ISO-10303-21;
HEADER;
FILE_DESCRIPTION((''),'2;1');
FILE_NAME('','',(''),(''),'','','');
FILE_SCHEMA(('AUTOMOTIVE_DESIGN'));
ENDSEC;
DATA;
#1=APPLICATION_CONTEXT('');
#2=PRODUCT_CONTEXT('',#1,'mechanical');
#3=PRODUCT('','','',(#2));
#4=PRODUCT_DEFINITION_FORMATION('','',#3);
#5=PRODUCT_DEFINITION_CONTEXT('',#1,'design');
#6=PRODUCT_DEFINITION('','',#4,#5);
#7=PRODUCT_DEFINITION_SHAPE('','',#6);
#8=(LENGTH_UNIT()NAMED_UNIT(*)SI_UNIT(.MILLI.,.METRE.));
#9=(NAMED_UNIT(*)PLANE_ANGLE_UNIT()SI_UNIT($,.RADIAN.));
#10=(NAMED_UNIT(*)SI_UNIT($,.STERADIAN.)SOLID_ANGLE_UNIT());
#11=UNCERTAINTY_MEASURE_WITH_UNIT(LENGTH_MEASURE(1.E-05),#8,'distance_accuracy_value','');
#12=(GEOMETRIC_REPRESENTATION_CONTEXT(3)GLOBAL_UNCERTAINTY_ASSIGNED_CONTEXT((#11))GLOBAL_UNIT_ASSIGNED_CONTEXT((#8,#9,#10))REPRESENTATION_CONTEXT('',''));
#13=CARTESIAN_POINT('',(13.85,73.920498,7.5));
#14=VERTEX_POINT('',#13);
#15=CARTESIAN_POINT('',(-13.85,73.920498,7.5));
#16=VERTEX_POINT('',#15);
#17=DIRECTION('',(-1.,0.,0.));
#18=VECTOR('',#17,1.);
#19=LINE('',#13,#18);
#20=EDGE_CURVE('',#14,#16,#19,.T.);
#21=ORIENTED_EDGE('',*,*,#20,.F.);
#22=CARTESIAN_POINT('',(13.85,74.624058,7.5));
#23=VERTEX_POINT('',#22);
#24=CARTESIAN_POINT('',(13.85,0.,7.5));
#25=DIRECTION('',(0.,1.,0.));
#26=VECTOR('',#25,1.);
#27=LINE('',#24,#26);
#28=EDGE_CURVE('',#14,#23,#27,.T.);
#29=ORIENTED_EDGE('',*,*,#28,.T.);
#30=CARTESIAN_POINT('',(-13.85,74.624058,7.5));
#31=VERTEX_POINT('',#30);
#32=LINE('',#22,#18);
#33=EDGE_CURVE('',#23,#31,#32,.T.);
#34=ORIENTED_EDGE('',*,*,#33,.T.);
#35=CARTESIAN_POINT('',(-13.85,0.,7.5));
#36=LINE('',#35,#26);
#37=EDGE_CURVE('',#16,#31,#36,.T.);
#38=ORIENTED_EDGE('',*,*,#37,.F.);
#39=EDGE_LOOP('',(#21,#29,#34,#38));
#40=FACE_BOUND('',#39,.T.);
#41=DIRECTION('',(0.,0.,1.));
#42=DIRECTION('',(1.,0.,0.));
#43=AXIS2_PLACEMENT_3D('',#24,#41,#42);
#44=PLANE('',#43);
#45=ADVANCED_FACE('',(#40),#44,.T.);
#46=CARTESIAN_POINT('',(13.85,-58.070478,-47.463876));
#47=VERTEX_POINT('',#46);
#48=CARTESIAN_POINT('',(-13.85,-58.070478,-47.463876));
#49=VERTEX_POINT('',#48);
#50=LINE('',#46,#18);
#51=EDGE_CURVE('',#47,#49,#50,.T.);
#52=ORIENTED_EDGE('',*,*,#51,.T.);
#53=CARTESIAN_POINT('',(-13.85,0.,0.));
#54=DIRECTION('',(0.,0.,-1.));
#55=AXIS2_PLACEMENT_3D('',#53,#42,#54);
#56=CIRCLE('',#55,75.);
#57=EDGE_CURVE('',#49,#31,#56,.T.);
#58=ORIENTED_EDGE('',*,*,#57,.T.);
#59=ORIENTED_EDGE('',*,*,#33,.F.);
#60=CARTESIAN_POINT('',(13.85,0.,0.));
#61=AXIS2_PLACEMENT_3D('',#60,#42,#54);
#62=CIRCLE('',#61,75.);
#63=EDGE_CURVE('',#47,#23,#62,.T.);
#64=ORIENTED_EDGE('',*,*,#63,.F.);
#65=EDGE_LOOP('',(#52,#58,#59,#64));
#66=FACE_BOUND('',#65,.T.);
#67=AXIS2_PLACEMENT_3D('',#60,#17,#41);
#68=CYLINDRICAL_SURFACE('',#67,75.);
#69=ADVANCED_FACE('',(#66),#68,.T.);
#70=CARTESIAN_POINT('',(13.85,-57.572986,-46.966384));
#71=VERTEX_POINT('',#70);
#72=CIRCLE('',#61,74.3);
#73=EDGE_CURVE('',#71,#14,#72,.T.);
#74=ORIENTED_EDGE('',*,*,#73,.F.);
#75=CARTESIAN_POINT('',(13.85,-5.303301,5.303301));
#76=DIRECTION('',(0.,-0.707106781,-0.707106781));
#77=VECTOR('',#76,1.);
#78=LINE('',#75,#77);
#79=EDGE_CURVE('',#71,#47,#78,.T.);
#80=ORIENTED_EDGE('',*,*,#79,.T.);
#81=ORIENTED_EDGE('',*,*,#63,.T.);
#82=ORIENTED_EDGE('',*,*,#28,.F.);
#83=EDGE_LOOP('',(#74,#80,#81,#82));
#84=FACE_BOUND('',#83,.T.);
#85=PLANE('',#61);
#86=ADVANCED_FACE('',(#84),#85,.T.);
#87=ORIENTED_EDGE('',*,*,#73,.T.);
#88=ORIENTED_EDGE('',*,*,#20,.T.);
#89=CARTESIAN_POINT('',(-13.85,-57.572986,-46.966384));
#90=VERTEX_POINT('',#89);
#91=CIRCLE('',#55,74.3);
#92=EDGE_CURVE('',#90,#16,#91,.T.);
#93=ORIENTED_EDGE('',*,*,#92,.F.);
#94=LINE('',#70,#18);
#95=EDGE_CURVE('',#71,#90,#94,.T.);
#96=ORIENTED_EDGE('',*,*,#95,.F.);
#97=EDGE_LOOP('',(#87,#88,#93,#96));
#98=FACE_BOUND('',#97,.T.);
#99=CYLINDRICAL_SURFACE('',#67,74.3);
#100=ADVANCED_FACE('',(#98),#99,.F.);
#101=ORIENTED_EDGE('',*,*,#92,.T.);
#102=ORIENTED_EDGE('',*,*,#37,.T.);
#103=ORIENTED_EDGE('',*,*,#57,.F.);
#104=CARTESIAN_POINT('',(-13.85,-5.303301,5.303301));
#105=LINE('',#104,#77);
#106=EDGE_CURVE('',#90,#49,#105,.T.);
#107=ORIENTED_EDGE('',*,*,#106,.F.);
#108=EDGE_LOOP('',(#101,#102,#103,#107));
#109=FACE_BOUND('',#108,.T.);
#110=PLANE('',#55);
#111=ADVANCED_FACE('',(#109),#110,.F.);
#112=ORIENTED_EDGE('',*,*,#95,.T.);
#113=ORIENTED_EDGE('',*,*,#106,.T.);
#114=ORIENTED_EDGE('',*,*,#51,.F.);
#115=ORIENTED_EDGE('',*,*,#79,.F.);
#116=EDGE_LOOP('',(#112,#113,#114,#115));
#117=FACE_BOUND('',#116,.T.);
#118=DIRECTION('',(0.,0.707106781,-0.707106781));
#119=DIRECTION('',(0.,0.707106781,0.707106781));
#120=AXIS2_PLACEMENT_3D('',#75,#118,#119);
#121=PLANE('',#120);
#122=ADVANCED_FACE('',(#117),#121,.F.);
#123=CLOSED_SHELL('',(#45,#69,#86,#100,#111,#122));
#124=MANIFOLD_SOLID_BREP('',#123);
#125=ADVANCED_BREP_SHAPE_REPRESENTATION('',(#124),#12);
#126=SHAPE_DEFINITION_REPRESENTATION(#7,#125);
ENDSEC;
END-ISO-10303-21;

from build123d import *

# Parameters (mm, degrees)
BOSS_EXTRUDE1_DEPTH = 13.85


with BuildPart() as part:
    # Sketch1 → Boss-Extrude1 (new, symmetric)
    with BuildSketch(Plane(origin=(0, 0, 0), x_dir=(0, 0, -1), z_dir=(1, 0, 0))):
        with BuildLine():
            ThreePointArc((74.3, 0), (67.119640803, -31.866029224), (46.966384428, -57.572986146))
            Line((46.966384428, -57.572986146), (47.463876439, -58.070478157))
            ThreePointArc((47.463876439, -58.070478157), (67.76721454, -32.13416614), (75, 0))
            ThreePointArc((75, 0), (50.311529494, 55.621488653), (-7.5, 74.624057783))
            Line((-7.5, 74.624057783), (-7.5, 73.920497834))
            ThreePointArc((-7.5, 73.920497834), (49.815860928, 55.125946704), (74.3, 0))
        make_face()
    extrude(amount=BOSS_EXTRUDE1_DEPTH, both=True)


solid = part.part
